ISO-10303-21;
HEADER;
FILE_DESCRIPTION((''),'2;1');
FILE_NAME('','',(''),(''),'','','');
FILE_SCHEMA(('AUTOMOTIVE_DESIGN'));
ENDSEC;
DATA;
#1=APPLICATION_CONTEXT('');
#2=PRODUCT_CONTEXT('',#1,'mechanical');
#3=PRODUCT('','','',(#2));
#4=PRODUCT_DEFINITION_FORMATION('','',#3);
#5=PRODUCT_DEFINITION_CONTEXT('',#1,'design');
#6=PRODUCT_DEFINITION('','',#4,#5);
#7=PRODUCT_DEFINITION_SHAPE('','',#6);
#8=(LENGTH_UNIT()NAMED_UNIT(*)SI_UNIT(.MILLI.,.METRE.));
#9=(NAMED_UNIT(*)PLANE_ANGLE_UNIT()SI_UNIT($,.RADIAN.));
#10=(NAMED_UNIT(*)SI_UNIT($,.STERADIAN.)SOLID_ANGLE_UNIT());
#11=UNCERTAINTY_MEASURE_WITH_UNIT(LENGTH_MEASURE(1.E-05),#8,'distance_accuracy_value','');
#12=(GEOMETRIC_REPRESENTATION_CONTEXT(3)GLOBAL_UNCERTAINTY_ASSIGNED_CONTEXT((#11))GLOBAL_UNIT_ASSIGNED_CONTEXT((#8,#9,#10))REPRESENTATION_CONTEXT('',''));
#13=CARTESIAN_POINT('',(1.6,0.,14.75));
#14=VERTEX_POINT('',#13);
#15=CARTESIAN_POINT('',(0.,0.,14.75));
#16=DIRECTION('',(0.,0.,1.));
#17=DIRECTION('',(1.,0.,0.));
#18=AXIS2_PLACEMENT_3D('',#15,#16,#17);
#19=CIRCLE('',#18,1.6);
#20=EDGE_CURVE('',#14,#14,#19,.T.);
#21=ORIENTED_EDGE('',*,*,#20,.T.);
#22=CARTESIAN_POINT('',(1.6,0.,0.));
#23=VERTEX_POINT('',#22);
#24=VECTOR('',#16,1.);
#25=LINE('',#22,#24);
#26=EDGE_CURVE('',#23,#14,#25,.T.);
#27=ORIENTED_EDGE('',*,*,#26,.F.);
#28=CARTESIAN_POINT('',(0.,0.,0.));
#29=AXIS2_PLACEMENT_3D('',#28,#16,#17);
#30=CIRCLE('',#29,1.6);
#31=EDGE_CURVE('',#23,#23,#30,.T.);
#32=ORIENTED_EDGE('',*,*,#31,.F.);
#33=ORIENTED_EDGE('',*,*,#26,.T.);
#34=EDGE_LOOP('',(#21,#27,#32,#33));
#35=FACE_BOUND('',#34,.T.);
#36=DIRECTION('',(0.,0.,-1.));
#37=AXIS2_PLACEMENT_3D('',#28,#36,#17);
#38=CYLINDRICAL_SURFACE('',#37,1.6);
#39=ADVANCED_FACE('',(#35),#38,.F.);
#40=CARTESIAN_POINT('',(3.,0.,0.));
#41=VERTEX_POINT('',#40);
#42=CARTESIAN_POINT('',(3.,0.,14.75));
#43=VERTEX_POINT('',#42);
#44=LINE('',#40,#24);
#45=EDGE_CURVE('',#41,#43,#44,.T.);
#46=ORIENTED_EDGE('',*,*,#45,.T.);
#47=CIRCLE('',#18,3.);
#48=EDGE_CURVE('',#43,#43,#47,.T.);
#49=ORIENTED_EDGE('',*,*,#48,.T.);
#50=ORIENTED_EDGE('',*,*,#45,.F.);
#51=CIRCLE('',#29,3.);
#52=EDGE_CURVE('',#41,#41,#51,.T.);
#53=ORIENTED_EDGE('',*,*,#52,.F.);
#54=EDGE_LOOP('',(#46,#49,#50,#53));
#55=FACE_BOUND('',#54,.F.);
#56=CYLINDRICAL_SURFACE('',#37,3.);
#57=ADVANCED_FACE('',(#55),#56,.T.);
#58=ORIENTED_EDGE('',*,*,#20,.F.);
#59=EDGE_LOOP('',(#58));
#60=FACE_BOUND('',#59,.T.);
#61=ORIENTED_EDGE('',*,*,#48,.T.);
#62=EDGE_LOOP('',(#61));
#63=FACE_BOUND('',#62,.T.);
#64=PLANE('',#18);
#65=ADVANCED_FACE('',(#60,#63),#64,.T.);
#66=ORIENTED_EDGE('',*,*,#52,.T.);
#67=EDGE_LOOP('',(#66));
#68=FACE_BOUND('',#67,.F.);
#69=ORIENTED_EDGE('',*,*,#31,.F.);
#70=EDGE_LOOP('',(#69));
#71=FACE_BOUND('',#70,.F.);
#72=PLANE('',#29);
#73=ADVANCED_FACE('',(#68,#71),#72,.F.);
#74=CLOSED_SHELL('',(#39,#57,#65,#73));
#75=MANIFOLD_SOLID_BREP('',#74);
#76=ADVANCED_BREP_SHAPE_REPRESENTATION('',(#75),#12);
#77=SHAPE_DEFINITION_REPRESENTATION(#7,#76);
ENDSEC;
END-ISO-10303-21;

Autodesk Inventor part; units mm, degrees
ref_plane "YZ Plane" through (0, 0, 0) normal (1, 0, 0) x (0, 1, 0)
ref_plane "XZ Plane" through (0, 0, 0) normal (0, 1, 0) x (-1, 0, 0)
ref_plane "XY Plane" through (0, 0, 0) normal (0, 0, 1) x (1, 0, 0)
sketch "Tube OD 6 mm - bore 3.2 mm" plane through (0, 0, 0) normal (0, 0, 1) x (1, 0, 0)
  circle A0 centre (0, 0) radius 3
  circle A1 centre (0, 0) radius 1.6
  dimension "d0" = 14.75
extrude "Tube length" add sketch "Tube OD 6 mm - bore 3.2 mm" along normal blind 14.75
properties part number "ignition-alumina-tube-upper" material "Alumina"
